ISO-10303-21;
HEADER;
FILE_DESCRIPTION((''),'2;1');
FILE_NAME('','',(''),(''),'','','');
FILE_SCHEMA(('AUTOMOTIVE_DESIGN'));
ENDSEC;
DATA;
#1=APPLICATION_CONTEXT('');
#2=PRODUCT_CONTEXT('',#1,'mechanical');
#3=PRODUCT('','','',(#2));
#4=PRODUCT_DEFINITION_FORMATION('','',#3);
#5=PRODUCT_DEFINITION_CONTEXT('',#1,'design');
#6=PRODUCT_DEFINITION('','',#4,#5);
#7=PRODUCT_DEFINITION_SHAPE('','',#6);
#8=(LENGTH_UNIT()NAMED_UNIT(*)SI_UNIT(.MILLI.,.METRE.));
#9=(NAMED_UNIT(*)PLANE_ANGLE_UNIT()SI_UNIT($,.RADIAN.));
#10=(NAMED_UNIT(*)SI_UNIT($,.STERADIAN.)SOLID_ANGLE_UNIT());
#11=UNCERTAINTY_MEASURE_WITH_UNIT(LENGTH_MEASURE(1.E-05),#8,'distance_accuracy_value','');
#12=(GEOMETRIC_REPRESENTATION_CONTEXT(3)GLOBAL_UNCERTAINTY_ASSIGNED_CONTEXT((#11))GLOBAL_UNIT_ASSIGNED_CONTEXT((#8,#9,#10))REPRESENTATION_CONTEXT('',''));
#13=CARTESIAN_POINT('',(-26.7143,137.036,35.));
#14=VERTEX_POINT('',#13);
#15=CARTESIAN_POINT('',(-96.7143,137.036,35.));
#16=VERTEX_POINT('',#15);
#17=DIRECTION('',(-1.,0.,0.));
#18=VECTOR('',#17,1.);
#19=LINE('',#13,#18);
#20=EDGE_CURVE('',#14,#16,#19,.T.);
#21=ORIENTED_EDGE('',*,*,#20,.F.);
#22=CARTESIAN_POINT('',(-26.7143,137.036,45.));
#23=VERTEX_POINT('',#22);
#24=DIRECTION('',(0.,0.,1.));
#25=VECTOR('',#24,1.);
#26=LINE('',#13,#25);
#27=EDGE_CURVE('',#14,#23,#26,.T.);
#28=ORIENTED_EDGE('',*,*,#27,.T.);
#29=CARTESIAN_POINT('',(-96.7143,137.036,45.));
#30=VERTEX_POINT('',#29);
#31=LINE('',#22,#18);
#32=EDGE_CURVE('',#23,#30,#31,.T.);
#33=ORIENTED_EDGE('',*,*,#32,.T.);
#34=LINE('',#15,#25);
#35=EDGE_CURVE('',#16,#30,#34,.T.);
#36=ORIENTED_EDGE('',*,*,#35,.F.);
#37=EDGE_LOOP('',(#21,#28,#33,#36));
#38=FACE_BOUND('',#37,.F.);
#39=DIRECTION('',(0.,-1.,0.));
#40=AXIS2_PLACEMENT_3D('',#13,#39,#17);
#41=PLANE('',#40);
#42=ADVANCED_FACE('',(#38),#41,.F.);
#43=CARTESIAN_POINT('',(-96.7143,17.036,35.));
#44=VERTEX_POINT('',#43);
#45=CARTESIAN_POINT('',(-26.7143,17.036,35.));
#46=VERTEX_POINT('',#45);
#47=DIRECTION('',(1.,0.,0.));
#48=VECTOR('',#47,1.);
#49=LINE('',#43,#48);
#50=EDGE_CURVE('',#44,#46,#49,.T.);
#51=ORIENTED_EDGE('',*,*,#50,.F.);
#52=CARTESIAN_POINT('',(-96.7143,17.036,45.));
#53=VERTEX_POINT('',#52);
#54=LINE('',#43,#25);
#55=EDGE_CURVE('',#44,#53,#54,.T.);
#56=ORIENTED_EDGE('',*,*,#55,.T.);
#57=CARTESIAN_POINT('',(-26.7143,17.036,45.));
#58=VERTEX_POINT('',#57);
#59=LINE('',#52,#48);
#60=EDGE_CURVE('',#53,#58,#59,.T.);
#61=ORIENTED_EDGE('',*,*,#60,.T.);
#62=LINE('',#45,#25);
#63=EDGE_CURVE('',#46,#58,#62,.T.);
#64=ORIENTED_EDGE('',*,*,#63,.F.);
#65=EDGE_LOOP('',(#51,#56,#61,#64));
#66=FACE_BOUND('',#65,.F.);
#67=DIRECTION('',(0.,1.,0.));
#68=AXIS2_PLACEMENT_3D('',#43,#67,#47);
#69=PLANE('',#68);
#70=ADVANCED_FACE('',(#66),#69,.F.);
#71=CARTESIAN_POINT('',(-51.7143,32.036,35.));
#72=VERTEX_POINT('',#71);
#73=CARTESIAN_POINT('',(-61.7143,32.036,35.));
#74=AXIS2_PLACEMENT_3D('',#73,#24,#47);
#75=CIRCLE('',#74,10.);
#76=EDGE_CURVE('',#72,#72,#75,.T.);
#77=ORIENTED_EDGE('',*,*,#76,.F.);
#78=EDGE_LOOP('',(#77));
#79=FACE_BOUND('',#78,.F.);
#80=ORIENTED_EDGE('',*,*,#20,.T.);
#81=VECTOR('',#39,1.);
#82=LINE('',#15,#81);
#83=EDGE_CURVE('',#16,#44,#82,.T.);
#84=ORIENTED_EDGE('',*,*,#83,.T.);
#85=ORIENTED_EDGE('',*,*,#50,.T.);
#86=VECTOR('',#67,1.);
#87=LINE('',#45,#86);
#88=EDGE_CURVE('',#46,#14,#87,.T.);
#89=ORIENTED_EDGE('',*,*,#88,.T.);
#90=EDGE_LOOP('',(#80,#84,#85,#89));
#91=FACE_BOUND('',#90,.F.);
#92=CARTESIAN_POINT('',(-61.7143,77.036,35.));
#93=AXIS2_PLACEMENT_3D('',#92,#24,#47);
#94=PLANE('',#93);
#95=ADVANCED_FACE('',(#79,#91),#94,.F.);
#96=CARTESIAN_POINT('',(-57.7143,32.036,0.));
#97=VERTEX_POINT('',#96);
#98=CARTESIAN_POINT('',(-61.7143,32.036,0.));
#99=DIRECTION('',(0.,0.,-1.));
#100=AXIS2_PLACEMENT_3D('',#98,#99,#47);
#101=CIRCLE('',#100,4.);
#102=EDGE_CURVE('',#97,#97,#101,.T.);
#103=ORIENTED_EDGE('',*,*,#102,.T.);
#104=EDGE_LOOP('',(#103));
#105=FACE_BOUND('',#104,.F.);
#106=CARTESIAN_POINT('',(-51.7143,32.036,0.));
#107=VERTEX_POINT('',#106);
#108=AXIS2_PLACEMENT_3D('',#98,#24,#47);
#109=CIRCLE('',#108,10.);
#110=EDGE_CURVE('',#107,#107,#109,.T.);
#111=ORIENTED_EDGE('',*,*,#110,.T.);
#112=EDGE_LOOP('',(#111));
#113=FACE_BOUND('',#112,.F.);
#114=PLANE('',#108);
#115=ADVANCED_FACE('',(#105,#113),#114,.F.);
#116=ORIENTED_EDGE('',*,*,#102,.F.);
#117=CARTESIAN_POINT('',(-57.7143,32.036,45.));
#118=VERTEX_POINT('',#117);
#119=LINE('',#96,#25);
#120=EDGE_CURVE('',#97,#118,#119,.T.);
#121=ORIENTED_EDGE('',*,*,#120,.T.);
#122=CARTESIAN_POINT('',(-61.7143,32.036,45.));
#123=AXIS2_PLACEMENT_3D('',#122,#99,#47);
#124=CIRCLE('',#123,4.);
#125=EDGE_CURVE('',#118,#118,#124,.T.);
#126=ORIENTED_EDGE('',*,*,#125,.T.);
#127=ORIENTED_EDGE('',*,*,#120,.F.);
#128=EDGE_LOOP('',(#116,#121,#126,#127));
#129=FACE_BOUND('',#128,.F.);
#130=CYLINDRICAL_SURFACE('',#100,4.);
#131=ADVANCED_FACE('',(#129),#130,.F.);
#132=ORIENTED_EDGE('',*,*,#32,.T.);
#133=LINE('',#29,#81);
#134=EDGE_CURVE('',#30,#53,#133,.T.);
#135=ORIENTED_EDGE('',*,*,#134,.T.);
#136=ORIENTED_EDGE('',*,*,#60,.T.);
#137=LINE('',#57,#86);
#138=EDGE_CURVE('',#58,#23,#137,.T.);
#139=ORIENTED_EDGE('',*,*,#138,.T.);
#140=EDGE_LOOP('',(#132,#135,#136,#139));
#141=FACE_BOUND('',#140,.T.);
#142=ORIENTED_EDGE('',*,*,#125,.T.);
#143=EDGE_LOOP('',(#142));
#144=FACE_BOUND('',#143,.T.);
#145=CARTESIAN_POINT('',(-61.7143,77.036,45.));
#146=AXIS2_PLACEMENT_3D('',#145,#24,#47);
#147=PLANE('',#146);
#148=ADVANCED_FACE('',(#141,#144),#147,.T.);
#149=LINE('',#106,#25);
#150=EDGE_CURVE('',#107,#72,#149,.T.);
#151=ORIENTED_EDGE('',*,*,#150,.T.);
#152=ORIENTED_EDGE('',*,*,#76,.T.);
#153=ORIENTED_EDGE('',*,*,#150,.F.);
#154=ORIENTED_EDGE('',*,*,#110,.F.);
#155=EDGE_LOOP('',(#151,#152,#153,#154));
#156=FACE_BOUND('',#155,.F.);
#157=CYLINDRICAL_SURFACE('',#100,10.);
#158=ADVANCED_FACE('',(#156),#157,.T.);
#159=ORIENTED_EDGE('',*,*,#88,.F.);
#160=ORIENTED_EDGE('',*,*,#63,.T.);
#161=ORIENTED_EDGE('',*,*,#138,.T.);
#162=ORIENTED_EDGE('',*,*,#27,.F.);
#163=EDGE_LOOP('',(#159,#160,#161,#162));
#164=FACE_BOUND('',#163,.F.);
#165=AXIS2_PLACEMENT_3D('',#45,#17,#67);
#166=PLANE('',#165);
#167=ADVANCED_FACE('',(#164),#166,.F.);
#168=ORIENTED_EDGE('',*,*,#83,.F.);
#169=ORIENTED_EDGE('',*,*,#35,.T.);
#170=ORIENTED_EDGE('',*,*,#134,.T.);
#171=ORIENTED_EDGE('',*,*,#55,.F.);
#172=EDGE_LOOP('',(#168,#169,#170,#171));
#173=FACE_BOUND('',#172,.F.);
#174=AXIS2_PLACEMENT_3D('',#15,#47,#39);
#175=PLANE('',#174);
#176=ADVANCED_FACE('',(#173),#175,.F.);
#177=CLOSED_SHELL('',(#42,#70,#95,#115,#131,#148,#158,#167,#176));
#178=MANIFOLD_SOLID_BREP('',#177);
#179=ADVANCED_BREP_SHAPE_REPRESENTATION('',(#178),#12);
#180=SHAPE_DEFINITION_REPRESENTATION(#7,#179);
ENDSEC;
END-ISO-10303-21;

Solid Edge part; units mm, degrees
sketch "Sketch1" plane through (0, 0, 0) normal (0, 0, 1) x (1, 0, 0)
  circle A0 centre (-61.7143, 32.036) radius 10
extrude "Protrusion1" add sketch "Sketch1" along normal blind 35
sketch "Sketch2" plane through (-61.7143, 32.036, 35) normal (0, 0, 1) x (1, 0, 0)
  line L0 (-35, -15) -> (35, -15)
  line L1 (35, -15) -> (35, 105)
  line L2 (35, 105) -> (-35, 105)
  line L3 (-35, 105) -> (-35, -15)
  dimension "D1" = 70
  dimension "D2" = 120
  dimension "D3" = 15
extrude "ExtrudedProtrusion_2" add sketch "Sketch2" along normal blind 10
sketch "Sketch3" plane through (-61.7143, 32.036, 0) normal (0, 0, -1) x (1, 0, 0)
  circle A0 centre (0, 0) radius 4
extrude "Cutout1" cut sketch "Sketch3" against normal through all
properties material "Aluminum, 6061-T6"
